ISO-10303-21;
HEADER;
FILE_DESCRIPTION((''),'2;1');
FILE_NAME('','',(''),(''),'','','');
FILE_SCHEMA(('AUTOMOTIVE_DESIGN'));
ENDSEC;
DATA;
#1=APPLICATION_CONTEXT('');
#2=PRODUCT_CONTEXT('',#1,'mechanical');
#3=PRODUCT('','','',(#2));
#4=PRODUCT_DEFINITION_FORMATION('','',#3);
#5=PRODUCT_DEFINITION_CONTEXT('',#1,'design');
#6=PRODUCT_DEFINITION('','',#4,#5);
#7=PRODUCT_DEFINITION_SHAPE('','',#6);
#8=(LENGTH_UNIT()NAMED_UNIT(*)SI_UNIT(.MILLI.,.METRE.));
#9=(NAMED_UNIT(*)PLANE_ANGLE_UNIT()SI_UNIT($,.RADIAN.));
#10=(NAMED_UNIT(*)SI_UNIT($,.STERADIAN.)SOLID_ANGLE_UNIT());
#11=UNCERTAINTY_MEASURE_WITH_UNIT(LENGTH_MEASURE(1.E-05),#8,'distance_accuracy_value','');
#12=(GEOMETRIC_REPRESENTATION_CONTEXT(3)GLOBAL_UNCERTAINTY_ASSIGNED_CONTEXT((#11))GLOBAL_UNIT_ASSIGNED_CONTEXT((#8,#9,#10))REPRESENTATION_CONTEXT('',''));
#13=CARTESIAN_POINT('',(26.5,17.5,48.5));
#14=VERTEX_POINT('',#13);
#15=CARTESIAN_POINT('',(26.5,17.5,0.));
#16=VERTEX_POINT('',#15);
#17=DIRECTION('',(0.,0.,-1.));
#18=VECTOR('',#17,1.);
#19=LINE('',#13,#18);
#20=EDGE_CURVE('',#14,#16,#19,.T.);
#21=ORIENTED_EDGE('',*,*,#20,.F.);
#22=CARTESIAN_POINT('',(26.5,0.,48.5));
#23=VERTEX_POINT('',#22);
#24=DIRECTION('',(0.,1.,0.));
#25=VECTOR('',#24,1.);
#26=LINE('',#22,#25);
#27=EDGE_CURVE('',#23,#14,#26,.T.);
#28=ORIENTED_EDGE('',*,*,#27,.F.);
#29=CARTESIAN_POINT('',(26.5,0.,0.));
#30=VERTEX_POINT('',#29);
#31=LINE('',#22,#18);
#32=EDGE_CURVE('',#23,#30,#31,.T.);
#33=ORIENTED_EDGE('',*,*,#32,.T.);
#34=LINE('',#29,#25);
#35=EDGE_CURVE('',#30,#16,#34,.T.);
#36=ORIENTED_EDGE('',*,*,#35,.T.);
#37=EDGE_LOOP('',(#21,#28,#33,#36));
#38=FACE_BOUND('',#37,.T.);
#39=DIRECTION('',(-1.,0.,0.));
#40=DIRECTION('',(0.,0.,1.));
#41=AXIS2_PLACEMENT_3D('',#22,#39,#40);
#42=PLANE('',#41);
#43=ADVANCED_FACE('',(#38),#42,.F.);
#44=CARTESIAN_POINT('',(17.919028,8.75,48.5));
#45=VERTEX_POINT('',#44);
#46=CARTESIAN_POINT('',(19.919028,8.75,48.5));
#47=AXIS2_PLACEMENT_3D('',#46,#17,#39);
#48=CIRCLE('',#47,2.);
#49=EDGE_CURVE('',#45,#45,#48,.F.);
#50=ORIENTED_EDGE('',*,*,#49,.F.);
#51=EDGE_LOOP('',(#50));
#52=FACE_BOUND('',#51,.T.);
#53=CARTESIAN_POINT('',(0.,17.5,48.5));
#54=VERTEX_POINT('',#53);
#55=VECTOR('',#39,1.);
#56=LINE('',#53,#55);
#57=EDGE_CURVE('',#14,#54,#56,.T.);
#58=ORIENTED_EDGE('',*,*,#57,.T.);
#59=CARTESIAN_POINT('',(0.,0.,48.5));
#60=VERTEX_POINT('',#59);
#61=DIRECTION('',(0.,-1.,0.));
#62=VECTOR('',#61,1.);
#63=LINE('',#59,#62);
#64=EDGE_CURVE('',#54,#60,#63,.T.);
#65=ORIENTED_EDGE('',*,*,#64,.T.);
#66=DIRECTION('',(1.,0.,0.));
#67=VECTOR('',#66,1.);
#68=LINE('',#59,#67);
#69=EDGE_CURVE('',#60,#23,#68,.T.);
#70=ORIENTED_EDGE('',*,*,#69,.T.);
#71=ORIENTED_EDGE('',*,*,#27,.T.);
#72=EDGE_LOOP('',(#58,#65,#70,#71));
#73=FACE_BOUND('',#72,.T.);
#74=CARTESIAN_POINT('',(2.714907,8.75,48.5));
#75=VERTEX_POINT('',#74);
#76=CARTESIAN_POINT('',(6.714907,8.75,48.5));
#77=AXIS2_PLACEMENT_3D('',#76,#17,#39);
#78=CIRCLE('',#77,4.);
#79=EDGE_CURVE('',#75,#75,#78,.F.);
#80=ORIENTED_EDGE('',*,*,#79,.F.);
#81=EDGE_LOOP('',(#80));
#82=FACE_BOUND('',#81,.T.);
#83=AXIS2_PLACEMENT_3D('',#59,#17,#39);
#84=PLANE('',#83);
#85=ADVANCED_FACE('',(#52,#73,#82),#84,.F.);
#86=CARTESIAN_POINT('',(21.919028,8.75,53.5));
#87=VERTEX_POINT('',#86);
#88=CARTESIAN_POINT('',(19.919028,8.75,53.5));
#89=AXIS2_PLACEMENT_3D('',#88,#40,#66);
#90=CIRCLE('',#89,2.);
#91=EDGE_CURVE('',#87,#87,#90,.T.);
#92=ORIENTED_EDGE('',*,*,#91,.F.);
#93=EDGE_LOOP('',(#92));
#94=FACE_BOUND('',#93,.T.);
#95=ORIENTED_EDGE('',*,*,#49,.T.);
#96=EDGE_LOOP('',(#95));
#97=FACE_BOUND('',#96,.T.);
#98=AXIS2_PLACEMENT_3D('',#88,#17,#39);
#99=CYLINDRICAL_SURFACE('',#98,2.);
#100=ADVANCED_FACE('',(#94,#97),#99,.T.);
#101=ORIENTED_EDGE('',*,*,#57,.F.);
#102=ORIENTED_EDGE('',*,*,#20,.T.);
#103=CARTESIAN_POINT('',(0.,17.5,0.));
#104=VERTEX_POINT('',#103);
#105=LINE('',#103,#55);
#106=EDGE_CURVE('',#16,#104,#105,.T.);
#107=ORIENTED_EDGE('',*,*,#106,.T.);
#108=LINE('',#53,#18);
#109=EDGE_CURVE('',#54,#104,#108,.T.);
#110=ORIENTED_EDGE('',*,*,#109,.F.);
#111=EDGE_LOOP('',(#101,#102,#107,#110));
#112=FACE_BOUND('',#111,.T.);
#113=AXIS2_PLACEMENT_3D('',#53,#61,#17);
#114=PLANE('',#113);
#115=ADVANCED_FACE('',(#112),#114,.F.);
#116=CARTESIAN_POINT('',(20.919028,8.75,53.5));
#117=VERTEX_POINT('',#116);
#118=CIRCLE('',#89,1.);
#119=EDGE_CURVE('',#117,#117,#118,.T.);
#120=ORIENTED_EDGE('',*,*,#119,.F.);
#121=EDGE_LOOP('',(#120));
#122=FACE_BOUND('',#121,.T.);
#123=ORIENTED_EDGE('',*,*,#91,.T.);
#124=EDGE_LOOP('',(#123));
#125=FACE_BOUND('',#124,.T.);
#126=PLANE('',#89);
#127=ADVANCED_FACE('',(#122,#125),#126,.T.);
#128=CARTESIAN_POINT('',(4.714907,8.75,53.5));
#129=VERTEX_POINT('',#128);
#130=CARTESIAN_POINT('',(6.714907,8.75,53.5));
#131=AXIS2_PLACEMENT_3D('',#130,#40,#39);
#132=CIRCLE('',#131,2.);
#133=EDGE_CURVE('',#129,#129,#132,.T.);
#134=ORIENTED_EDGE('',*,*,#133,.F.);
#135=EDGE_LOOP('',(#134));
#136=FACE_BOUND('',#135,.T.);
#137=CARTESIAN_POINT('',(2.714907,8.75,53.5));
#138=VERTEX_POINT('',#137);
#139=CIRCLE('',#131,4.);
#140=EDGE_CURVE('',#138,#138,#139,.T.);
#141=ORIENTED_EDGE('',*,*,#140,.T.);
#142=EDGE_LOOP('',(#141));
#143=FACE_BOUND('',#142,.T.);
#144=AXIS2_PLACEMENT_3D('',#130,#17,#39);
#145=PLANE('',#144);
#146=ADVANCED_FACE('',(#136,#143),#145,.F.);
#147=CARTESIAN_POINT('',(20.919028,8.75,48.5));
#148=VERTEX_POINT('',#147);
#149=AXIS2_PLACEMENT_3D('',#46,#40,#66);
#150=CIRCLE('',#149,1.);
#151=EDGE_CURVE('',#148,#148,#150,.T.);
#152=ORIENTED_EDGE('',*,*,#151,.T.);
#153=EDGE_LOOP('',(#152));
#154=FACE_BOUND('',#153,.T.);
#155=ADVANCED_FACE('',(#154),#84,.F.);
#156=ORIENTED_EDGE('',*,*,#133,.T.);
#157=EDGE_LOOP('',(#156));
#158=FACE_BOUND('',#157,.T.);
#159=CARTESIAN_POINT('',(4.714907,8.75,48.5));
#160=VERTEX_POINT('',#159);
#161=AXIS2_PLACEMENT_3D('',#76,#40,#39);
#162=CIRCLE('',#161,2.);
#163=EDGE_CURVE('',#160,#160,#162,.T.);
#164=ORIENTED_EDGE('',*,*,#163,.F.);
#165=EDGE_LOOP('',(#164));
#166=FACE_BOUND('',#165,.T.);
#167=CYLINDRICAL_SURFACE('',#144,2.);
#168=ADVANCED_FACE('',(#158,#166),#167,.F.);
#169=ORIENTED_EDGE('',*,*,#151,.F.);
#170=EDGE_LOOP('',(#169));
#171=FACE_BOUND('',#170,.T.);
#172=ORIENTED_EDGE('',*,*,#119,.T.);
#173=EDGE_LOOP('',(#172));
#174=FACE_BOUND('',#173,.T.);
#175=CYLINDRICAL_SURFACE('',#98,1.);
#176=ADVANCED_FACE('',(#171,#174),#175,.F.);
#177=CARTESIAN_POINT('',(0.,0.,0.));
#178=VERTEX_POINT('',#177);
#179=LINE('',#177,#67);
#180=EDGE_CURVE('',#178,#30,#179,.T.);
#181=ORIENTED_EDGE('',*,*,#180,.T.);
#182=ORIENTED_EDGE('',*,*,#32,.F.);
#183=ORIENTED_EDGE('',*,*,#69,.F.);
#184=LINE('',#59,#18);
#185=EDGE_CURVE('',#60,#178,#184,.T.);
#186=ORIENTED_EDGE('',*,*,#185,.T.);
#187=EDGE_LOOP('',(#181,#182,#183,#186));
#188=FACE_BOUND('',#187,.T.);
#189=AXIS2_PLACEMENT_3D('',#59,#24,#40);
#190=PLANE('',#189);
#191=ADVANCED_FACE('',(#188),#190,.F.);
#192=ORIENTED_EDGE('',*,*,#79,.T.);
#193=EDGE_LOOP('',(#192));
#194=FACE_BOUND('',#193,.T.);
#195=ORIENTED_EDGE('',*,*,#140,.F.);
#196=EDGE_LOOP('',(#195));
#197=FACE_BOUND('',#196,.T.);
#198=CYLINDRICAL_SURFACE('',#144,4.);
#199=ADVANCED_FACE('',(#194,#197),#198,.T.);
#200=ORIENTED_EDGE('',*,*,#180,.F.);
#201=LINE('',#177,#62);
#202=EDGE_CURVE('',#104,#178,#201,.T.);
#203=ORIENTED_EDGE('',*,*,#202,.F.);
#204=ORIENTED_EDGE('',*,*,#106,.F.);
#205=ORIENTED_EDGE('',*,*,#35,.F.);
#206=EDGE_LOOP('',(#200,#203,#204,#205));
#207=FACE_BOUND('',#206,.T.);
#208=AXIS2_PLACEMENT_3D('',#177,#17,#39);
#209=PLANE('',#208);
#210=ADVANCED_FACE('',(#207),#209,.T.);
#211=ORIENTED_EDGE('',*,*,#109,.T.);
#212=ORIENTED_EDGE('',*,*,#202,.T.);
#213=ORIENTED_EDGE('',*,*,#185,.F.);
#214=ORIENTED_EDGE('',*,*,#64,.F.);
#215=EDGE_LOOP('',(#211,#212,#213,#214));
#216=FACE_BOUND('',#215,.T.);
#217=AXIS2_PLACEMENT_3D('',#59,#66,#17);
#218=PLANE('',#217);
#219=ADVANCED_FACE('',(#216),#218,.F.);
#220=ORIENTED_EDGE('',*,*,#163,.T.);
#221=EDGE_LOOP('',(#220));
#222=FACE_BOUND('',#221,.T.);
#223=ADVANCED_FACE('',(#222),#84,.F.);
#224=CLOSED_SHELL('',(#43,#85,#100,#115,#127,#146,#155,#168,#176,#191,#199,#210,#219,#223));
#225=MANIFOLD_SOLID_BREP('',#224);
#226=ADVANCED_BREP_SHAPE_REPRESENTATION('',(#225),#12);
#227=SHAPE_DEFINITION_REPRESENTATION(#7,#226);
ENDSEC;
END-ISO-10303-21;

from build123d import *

# Parameters (mm, degrees)
SKETCH1_W           = 26.5
SKETCH1_H           = 17.5
BOSS_EXTRUDE1_DEPTH = 48.5
SKETCH2_R           = 2
SKETCH2_R_2         = 1
SKETCH2_R_3         = 4
BOSS_EXTRUDE2_DEPTH = 5


with BuildPart() as part:
    # Sketch1 → Boss-Extrude1 (new body)
    with BuildSketch(Plane.XY):
        with Locations((13.25, 8.75)):
            Rectangle(SKETCH1_W, SKETCH1_H)
    extrude(amount=BOSS_EXTRUDE1_DEPTH)

    # Sketch2 → Boss-Extrude2 (add)
    # profile 1 of 2: a face of its own
    with BuildSketch(Plane.XY.offset(48.5)):
        with Locations(Location((19.919028118, 8.75, 0), (0, 0, 180))):
            Circle(SKETCH2_R)
        with Locations((19.919028118, 8.75)):
            Circle(SKETCH2_R_2, mode=Mode.SUBTRACT)
    # profile 2 of 2: a face of its own
    with BuildSketch(Plane.XY.offset(48.5)):
        with Locations(Location((6.714907482, 8.75, 0), (0, 0, 180))):
            Circle(SKETCH2_R_3)
        with Locations(Location((6.714907482, 8.75, 0), (0, 0, 180))):
            Circle(SKETCH2_R, mode=Mode.SUBTRACT)
    extrude(amount=BOSS_EXTRUDE2_DEPTH)


solid = part.part
